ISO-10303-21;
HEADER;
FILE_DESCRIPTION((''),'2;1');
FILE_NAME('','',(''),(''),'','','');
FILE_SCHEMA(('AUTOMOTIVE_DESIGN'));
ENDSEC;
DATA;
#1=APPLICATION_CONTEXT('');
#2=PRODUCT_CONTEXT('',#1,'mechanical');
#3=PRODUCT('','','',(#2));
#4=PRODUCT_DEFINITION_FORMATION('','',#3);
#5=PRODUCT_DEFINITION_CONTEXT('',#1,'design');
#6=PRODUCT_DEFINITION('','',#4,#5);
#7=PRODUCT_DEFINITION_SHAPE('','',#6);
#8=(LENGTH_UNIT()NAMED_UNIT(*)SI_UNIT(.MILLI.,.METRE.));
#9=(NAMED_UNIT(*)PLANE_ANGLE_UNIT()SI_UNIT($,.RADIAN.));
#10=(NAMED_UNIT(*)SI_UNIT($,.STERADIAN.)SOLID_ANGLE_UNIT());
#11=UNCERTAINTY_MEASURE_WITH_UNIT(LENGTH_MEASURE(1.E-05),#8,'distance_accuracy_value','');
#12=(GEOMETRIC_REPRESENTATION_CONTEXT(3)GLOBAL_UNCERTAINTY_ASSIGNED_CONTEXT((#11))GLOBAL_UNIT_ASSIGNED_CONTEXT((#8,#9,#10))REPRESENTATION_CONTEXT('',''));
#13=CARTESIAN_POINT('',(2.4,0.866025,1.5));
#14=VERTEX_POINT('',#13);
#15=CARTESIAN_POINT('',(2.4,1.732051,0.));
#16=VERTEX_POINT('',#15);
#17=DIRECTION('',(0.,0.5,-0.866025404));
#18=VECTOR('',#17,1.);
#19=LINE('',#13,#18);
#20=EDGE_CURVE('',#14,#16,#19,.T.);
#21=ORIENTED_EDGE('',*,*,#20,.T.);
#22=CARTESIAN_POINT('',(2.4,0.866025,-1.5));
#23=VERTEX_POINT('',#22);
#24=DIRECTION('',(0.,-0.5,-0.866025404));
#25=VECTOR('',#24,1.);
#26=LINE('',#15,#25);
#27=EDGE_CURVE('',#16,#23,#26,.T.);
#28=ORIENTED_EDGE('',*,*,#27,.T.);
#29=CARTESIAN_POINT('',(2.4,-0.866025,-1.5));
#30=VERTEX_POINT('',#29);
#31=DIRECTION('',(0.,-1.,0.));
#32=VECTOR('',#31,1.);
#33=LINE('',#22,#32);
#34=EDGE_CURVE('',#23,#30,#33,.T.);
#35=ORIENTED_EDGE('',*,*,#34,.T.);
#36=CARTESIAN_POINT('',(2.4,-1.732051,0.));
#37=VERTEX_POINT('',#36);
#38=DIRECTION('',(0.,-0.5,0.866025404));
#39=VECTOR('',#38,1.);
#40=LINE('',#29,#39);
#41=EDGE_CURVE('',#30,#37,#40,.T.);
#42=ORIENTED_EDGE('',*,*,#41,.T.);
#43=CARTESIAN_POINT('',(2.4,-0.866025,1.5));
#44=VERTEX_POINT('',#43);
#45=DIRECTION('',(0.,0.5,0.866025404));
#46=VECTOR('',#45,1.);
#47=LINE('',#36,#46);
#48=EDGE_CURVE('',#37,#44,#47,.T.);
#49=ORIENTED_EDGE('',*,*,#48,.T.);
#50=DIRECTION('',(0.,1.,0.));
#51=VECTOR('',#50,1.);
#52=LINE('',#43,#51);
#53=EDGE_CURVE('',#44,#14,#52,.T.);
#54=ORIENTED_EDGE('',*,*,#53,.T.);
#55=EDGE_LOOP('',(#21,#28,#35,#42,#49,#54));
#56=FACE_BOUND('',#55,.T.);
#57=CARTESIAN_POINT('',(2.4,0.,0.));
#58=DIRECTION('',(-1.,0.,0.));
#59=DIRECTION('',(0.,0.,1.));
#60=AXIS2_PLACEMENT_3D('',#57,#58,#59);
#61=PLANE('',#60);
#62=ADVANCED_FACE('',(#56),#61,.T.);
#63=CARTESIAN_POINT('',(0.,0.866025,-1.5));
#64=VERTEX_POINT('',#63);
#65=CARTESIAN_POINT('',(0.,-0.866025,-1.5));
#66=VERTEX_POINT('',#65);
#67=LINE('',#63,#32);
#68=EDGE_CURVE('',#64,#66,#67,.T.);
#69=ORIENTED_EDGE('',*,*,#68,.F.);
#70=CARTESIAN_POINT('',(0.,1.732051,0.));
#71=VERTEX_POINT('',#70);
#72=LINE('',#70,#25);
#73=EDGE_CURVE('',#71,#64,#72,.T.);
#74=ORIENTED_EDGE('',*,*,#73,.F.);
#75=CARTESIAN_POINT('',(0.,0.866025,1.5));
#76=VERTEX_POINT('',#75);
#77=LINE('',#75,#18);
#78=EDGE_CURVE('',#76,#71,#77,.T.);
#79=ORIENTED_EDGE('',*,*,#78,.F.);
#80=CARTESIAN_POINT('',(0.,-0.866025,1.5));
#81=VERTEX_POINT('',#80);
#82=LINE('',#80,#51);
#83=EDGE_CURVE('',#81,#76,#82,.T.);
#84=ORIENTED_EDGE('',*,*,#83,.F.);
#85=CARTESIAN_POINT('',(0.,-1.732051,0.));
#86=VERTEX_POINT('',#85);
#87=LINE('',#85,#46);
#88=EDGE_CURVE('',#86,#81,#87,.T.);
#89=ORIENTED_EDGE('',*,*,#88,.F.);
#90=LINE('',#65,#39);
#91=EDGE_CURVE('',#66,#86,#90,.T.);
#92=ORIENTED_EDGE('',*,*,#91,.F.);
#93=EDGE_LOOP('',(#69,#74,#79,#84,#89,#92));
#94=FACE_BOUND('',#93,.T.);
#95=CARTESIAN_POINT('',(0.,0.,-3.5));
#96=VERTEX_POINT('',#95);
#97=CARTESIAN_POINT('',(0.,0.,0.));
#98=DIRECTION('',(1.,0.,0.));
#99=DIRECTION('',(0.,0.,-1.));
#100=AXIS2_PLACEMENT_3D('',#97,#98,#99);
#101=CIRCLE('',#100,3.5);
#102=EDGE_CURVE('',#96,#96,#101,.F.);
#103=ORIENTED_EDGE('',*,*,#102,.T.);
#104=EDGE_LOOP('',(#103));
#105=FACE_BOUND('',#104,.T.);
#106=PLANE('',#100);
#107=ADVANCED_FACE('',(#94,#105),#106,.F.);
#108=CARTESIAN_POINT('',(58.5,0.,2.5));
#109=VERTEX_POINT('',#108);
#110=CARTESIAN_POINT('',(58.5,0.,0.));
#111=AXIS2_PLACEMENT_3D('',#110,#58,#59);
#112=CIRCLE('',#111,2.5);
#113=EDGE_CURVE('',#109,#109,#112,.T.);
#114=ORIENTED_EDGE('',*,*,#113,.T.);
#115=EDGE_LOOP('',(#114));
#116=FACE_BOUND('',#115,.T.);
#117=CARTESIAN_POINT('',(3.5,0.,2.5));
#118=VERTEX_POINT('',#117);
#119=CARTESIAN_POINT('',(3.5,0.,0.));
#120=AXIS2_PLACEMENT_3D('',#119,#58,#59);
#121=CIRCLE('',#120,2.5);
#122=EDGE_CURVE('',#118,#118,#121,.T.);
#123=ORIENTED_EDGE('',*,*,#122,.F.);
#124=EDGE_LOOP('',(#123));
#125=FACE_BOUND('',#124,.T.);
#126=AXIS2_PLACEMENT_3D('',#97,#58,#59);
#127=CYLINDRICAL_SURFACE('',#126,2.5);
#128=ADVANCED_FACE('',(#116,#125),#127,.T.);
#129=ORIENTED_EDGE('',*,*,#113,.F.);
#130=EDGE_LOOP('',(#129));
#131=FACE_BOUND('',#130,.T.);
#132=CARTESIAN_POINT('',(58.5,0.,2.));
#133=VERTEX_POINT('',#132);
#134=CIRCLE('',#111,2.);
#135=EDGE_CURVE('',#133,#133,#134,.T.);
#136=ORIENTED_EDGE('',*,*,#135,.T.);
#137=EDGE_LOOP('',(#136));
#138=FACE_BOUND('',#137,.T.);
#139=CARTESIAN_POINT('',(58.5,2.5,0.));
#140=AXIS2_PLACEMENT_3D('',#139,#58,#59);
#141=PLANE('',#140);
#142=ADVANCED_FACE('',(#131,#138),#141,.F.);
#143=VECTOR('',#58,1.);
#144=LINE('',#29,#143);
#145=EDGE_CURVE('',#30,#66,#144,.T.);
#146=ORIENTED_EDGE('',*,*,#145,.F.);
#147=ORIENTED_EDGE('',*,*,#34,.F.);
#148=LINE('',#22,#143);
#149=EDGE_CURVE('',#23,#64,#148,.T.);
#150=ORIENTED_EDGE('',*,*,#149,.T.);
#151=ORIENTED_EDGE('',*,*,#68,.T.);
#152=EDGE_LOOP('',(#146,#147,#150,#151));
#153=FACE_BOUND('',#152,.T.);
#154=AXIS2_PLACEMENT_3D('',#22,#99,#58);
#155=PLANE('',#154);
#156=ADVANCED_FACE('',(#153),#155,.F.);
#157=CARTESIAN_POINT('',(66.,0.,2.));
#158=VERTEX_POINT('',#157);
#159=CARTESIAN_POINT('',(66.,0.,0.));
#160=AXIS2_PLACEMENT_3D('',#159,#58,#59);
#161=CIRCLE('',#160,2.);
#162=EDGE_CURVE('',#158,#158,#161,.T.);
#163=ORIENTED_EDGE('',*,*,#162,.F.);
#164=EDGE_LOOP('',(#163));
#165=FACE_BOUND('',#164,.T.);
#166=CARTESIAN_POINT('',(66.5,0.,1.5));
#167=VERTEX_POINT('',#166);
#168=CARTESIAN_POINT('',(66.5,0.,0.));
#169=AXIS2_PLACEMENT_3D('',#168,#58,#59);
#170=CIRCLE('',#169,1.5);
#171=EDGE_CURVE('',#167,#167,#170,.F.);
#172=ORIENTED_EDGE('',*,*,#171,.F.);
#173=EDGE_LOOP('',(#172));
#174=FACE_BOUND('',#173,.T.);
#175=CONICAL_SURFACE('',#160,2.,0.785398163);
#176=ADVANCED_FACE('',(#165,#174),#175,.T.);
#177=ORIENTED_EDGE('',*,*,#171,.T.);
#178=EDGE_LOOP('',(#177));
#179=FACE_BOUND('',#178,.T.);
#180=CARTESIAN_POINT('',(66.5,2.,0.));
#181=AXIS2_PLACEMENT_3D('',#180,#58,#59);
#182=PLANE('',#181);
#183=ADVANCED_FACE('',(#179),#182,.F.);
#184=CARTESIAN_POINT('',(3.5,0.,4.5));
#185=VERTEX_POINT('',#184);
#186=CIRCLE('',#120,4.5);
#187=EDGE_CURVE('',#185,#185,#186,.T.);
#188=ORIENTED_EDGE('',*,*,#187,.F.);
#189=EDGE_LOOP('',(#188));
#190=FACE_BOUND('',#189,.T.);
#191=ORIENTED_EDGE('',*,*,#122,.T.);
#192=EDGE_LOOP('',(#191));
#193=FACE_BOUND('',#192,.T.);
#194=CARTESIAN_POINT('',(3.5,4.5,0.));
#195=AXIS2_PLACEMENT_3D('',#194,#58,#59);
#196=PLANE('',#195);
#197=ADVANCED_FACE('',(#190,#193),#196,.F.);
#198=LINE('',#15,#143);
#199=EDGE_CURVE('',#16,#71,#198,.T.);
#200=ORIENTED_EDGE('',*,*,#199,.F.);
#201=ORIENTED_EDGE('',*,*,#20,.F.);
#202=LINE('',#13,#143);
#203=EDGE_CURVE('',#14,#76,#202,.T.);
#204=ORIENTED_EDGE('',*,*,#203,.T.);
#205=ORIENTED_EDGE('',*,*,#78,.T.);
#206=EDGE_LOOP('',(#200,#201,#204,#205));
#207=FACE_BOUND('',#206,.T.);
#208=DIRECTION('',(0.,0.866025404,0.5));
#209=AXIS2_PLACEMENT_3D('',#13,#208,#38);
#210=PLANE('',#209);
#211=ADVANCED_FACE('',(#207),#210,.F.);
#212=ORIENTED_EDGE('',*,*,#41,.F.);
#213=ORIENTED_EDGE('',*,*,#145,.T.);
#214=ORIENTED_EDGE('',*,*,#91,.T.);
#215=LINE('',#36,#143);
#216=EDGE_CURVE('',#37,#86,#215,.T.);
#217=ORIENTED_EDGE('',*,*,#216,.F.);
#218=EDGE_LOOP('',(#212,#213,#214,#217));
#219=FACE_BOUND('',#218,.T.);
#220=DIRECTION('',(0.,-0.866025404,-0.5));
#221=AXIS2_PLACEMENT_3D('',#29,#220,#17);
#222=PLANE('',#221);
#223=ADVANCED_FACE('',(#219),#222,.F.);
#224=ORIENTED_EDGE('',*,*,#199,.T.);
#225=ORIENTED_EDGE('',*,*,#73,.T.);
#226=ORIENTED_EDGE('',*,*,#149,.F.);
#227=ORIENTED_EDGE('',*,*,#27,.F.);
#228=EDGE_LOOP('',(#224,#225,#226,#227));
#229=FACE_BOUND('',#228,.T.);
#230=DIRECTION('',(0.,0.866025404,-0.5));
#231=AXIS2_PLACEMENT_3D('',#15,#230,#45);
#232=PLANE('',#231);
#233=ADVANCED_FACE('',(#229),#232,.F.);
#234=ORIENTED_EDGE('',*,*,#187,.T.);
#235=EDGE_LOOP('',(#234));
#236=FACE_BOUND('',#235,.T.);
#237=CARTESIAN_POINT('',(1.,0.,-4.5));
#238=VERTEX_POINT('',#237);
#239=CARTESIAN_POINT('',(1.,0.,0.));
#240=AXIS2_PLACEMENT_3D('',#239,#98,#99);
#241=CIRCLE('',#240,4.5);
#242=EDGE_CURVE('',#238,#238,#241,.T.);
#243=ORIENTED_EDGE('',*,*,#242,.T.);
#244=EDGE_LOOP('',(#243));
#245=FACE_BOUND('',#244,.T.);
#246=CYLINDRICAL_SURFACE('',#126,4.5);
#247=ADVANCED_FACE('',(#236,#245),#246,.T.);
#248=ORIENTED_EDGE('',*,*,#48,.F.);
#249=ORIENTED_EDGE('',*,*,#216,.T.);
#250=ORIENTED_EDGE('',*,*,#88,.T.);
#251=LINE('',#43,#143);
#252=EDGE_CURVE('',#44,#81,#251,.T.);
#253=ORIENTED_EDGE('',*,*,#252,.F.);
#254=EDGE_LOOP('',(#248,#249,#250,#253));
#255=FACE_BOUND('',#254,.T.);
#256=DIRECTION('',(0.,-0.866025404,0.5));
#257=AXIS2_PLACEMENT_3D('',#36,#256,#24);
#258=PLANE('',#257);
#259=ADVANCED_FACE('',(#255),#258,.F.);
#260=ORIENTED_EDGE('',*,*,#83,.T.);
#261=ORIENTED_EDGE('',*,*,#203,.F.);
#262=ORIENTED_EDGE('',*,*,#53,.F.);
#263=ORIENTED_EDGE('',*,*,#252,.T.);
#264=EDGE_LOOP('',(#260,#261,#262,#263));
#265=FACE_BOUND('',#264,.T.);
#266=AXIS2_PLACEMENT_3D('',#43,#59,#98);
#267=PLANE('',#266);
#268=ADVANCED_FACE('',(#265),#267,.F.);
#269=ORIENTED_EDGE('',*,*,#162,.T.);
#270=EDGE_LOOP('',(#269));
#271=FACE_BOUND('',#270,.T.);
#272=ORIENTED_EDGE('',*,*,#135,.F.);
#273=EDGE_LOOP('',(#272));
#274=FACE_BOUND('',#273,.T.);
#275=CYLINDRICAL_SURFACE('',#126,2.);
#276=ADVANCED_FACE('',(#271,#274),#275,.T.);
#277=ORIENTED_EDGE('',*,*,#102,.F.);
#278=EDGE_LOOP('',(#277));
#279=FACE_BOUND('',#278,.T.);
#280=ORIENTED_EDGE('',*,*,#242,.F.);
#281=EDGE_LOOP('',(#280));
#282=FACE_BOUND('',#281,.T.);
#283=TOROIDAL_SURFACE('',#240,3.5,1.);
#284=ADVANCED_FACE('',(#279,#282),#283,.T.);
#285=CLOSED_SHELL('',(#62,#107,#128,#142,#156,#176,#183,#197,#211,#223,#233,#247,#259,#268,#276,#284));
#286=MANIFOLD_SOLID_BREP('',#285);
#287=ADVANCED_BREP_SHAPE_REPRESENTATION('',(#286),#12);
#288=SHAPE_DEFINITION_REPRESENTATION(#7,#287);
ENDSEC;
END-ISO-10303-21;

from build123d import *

# Parameters (mm, degrees)
CUT_EXTRUDE_1_DEPTH = 2.4
FILLET_1_R          = 1
CHAMFER_1_SIZE      = 0.5


with BuildPart() as part:
    # 草图1 → 旋转1 (revolve)
    with BuildSketch(Plane.XY, mode=Mode.PRIVATE) as revolve_1_sk:
        Polygon((0, 0), (0, 4.5), (3.5, 4.5), (3.5, 2.5), (58.5, 2.5), (58.5, 2), (66.5, 2), (66.5, 0), align=None)
    revolve(revolve_1_sk.sketch.rotate(Axis((0, 0, 0), (1, 0, 0)), 90), axis=Axis((0, 0, 0), (1, 0, 0)))

    # 草图2 → 切除-拉伸1 (cut)
    with BuildSketch(Plane.ZY):
        Polygon((0, 1.732050808), (-1.5, 0.866025404), (-1.5, -0.866025404), (0, -1.732050808), (1.5, -0.866025404), (1.5, 0.866025404), align=None)
    extrude(amount=-CUT_EXTRUDE_1_DEPTH, mode=Mode.SUBTRACT)

    # 圆角1
    fillet_1_edges = [part.edges().sort_by_distance(p)[0] for p in [
        (0, 0, -4.5),
    ]]
    fillet(fillet_1_edges, radius=FILLET_1_R)

    # 倒角1
    chamfer_1_edges = [part.edges().sort_by_distance(p)[0] for p in [
        (66.5, 0, -2),
    ]]
    chamfer(chamfer_1_edges, length=CHAMFER_1_SIZE)


solid = part.part
